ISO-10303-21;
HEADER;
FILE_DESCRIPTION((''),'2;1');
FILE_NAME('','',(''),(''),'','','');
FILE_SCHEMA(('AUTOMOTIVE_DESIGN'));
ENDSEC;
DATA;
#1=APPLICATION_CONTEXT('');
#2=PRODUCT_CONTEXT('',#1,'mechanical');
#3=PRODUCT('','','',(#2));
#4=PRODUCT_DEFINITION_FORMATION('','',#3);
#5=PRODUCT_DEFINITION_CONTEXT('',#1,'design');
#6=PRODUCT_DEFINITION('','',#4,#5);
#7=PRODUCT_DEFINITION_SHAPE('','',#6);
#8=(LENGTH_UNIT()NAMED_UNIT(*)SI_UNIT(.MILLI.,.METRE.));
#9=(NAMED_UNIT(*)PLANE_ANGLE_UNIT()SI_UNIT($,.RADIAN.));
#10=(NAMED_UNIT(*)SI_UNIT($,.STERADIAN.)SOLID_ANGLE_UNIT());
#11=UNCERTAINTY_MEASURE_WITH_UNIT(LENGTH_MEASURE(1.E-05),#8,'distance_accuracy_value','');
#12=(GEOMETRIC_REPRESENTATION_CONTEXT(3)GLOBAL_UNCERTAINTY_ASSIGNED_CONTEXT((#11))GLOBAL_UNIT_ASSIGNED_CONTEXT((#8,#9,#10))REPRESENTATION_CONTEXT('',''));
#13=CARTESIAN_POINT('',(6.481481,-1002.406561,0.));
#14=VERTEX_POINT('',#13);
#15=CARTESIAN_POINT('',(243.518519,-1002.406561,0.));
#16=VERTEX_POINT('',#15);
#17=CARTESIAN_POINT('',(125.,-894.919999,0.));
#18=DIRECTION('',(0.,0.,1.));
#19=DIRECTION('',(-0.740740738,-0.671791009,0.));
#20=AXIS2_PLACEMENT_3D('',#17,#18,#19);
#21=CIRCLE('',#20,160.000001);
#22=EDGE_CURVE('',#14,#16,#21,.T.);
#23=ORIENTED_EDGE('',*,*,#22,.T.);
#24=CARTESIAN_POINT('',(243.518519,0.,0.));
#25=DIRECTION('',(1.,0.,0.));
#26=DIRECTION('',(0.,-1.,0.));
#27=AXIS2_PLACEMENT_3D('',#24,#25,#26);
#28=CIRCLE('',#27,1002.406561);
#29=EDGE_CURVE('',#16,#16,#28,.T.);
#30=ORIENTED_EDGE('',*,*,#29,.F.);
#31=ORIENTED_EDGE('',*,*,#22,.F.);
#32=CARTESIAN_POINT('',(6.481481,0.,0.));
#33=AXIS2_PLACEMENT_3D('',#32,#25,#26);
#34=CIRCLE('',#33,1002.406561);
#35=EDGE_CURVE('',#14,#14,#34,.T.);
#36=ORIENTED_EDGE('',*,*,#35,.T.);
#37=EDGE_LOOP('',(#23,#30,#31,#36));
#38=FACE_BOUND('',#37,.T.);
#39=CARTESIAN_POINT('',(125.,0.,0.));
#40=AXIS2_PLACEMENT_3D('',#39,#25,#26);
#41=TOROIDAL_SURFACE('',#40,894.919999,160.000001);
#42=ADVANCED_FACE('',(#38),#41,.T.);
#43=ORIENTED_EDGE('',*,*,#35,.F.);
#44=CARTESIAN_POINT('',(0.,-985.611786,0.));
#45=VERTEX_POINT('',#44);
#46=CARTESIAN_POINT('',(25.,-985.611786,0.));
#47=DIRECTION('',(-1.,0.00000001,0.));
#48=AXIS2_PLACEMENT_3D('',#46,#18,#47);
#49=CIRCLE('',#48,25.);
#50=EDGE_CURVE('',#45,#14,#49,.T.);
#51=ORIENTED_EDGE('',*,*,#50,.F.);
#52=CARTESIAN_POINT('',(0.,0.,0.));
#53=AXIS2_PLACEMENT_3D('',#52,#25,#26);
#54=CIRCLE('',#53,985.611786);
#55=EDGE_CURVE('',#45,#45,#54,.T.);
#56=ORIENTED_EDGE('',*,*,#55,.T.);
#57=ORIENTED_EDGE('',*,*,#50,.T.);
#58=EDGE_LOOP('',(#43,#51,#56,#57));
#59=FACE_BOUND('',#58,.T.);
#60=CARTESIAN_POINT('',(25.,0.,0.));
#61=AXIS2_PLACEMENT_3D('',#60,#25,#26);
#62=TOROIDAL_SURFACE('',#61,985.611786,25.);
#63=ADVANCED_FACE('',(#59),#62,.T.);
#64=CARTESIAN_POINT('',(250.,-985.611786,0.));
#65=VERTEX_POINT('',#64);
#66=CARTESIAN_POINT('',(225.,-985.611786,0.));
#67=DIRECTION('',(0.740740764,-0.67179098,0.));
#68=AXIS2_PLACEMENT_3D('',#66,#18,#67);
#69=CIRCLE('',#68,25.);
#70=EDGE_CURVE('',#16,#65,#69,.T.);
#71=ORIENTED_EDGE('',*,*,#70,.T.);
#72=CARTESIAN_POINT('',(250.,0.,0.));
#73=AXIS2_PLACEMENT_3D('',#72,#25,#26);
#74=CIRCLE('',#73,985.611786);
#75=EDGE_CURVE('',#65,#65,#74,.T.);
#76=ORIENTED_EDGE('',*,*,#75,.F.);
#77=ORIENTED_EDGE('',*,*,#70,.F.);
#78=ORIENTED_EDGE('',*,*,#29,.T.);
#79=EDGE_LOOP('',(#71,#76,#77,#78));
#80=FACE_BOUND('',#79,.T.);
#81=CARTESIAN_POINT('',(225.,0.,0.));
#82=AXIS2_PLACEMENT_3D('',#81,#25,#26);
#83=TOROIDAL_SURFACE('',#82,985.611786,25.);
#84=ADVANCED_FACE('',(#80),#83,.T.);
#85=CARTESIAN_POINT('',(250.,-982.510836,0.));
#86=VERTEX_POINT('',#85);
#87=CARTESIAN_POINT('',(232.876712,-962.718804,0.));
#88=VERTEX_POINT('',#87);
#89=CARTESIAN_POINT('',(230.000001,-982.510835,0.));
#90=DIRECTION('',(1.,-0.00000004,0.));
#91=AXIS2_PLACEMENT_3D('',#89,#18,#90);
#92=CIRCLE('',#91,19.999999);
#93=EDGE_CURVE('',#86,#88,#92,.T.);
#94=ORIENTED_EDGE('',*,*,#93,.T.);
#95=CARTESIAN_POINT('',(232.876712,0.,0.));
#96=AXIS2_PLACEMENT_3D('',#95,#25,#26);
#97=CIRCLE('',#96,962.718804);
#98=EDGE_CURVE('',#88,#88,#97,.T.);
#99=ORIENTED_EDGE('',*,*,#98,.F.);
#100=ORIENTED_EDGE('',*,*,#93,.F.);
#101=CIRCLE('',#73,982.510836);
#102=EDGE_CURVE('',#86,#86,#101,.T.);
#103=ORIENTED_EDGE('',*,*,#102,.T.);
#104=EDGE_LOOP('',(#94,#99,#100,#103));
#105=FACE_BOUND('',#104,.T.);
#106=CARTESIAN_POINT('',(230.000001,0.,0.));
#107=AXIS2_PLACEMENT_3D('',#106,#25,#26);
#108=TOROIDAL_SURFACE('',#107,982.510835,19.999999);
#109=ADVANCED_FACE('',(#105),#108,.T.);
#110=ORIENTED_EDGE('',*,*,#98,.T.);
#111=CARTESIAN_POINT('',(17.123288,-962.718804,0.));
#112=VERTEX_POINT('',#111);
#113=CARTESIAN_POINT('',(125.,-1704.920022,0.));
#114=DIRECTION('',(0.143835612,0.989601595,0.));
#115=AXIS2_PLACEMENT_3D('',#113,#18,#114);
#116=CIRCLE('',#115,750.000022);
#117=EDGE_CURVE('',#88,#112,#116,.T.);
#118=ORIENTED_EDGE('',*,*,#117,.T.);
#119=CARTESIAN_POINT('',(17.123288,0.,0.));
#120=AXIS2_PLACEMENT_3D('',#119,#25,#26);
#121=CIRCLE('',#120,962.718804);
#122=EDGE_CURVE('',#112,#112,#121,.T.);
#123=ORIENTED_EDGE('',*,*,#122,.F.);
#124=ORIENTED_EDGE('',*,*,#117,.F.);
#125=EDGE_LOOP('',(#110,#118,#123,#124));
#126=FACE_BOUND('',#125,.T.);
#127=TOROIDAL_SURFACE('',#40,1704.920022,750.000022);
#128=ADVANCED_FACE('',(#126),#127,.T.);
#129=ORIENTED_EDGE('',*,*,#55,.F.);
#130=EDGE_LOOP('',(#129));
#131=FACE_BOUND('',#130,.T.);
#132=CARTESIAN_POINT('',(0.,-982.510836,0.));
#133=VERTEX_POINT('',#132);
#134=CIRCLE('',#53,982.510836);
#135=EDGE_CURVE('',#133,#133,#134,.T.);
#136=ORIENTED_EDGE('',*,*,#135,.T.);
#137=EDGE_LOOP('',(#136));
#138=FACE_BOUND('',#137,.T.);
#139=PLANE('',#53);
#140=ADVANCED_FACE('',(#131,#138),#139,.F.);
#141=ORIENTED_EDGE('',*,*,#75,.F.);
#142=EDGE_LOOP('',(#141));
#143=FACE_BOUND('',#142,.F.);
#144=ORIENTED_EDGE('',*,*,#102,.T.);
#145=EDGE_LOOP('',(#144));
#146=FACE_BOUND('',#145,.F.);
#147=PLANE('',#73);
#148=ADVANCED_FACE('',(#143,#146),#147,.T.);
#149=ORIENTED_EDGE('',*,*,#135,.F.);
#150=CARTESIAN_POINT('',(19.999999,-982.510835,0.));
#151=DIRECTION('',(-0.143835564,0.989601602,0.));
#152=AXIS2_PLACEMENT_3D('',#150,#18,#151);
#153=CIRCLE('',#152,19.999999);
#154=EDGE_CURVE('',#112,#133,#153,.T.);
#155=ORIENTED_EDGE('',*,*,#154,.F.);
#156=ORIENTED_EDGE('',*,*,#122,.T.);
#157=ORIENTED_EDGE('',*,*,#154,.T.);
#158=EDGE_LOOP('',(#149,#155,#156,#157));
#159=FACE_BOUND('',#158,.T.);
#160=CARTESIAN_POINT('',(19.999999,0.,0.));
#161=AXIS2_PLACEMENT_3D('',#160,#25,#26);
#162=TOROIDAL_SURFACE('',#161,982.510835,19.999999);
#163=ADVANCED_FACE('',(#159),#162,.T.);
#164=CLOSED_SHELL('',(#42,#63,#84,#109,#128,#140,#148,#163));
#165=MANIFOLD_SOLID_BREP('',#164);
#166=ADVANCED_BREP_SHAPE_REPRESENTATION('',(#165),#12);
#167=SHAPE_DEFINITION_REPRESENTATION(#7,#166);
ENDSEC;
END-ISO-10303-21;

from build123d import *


with BuildPart() as part:
    # Sketch → Revolution (revolve)
    with BuildSketch(Plane.XY):
        with BuildLine():
            Line((0, -982.510836), (0, -985.611786))
            ThreePointArc((0, -985.611786), (1.676589, -994.612814), (6.481481, -1002.406561))
            ThreePointArc((6.481481, -1002.406561), (125, -1054.92), (243.518519, -1002.406561))
            ThreePointArc((243.518519, -1002.406561), (248.323411, -994.612814), (250, -985.611786))
            Line((250, -982.510836), (250, -985.611786))
            ThreePointArc((250, -982.510836), (245.12505, -969.425238), (232.876712, -962.718804))
            ThreePointArc((232.876712, -962.718804), (125, -954.92), (17.123288, -962.718804))
            ThreePointArc((17.123288, -962.718804), (4.87495, -969.425238), (0, -982.510836))
        make_face()
    revolve(axis=Axis((0, 0, 0), (1, 0, 0)))


solid = part.part
